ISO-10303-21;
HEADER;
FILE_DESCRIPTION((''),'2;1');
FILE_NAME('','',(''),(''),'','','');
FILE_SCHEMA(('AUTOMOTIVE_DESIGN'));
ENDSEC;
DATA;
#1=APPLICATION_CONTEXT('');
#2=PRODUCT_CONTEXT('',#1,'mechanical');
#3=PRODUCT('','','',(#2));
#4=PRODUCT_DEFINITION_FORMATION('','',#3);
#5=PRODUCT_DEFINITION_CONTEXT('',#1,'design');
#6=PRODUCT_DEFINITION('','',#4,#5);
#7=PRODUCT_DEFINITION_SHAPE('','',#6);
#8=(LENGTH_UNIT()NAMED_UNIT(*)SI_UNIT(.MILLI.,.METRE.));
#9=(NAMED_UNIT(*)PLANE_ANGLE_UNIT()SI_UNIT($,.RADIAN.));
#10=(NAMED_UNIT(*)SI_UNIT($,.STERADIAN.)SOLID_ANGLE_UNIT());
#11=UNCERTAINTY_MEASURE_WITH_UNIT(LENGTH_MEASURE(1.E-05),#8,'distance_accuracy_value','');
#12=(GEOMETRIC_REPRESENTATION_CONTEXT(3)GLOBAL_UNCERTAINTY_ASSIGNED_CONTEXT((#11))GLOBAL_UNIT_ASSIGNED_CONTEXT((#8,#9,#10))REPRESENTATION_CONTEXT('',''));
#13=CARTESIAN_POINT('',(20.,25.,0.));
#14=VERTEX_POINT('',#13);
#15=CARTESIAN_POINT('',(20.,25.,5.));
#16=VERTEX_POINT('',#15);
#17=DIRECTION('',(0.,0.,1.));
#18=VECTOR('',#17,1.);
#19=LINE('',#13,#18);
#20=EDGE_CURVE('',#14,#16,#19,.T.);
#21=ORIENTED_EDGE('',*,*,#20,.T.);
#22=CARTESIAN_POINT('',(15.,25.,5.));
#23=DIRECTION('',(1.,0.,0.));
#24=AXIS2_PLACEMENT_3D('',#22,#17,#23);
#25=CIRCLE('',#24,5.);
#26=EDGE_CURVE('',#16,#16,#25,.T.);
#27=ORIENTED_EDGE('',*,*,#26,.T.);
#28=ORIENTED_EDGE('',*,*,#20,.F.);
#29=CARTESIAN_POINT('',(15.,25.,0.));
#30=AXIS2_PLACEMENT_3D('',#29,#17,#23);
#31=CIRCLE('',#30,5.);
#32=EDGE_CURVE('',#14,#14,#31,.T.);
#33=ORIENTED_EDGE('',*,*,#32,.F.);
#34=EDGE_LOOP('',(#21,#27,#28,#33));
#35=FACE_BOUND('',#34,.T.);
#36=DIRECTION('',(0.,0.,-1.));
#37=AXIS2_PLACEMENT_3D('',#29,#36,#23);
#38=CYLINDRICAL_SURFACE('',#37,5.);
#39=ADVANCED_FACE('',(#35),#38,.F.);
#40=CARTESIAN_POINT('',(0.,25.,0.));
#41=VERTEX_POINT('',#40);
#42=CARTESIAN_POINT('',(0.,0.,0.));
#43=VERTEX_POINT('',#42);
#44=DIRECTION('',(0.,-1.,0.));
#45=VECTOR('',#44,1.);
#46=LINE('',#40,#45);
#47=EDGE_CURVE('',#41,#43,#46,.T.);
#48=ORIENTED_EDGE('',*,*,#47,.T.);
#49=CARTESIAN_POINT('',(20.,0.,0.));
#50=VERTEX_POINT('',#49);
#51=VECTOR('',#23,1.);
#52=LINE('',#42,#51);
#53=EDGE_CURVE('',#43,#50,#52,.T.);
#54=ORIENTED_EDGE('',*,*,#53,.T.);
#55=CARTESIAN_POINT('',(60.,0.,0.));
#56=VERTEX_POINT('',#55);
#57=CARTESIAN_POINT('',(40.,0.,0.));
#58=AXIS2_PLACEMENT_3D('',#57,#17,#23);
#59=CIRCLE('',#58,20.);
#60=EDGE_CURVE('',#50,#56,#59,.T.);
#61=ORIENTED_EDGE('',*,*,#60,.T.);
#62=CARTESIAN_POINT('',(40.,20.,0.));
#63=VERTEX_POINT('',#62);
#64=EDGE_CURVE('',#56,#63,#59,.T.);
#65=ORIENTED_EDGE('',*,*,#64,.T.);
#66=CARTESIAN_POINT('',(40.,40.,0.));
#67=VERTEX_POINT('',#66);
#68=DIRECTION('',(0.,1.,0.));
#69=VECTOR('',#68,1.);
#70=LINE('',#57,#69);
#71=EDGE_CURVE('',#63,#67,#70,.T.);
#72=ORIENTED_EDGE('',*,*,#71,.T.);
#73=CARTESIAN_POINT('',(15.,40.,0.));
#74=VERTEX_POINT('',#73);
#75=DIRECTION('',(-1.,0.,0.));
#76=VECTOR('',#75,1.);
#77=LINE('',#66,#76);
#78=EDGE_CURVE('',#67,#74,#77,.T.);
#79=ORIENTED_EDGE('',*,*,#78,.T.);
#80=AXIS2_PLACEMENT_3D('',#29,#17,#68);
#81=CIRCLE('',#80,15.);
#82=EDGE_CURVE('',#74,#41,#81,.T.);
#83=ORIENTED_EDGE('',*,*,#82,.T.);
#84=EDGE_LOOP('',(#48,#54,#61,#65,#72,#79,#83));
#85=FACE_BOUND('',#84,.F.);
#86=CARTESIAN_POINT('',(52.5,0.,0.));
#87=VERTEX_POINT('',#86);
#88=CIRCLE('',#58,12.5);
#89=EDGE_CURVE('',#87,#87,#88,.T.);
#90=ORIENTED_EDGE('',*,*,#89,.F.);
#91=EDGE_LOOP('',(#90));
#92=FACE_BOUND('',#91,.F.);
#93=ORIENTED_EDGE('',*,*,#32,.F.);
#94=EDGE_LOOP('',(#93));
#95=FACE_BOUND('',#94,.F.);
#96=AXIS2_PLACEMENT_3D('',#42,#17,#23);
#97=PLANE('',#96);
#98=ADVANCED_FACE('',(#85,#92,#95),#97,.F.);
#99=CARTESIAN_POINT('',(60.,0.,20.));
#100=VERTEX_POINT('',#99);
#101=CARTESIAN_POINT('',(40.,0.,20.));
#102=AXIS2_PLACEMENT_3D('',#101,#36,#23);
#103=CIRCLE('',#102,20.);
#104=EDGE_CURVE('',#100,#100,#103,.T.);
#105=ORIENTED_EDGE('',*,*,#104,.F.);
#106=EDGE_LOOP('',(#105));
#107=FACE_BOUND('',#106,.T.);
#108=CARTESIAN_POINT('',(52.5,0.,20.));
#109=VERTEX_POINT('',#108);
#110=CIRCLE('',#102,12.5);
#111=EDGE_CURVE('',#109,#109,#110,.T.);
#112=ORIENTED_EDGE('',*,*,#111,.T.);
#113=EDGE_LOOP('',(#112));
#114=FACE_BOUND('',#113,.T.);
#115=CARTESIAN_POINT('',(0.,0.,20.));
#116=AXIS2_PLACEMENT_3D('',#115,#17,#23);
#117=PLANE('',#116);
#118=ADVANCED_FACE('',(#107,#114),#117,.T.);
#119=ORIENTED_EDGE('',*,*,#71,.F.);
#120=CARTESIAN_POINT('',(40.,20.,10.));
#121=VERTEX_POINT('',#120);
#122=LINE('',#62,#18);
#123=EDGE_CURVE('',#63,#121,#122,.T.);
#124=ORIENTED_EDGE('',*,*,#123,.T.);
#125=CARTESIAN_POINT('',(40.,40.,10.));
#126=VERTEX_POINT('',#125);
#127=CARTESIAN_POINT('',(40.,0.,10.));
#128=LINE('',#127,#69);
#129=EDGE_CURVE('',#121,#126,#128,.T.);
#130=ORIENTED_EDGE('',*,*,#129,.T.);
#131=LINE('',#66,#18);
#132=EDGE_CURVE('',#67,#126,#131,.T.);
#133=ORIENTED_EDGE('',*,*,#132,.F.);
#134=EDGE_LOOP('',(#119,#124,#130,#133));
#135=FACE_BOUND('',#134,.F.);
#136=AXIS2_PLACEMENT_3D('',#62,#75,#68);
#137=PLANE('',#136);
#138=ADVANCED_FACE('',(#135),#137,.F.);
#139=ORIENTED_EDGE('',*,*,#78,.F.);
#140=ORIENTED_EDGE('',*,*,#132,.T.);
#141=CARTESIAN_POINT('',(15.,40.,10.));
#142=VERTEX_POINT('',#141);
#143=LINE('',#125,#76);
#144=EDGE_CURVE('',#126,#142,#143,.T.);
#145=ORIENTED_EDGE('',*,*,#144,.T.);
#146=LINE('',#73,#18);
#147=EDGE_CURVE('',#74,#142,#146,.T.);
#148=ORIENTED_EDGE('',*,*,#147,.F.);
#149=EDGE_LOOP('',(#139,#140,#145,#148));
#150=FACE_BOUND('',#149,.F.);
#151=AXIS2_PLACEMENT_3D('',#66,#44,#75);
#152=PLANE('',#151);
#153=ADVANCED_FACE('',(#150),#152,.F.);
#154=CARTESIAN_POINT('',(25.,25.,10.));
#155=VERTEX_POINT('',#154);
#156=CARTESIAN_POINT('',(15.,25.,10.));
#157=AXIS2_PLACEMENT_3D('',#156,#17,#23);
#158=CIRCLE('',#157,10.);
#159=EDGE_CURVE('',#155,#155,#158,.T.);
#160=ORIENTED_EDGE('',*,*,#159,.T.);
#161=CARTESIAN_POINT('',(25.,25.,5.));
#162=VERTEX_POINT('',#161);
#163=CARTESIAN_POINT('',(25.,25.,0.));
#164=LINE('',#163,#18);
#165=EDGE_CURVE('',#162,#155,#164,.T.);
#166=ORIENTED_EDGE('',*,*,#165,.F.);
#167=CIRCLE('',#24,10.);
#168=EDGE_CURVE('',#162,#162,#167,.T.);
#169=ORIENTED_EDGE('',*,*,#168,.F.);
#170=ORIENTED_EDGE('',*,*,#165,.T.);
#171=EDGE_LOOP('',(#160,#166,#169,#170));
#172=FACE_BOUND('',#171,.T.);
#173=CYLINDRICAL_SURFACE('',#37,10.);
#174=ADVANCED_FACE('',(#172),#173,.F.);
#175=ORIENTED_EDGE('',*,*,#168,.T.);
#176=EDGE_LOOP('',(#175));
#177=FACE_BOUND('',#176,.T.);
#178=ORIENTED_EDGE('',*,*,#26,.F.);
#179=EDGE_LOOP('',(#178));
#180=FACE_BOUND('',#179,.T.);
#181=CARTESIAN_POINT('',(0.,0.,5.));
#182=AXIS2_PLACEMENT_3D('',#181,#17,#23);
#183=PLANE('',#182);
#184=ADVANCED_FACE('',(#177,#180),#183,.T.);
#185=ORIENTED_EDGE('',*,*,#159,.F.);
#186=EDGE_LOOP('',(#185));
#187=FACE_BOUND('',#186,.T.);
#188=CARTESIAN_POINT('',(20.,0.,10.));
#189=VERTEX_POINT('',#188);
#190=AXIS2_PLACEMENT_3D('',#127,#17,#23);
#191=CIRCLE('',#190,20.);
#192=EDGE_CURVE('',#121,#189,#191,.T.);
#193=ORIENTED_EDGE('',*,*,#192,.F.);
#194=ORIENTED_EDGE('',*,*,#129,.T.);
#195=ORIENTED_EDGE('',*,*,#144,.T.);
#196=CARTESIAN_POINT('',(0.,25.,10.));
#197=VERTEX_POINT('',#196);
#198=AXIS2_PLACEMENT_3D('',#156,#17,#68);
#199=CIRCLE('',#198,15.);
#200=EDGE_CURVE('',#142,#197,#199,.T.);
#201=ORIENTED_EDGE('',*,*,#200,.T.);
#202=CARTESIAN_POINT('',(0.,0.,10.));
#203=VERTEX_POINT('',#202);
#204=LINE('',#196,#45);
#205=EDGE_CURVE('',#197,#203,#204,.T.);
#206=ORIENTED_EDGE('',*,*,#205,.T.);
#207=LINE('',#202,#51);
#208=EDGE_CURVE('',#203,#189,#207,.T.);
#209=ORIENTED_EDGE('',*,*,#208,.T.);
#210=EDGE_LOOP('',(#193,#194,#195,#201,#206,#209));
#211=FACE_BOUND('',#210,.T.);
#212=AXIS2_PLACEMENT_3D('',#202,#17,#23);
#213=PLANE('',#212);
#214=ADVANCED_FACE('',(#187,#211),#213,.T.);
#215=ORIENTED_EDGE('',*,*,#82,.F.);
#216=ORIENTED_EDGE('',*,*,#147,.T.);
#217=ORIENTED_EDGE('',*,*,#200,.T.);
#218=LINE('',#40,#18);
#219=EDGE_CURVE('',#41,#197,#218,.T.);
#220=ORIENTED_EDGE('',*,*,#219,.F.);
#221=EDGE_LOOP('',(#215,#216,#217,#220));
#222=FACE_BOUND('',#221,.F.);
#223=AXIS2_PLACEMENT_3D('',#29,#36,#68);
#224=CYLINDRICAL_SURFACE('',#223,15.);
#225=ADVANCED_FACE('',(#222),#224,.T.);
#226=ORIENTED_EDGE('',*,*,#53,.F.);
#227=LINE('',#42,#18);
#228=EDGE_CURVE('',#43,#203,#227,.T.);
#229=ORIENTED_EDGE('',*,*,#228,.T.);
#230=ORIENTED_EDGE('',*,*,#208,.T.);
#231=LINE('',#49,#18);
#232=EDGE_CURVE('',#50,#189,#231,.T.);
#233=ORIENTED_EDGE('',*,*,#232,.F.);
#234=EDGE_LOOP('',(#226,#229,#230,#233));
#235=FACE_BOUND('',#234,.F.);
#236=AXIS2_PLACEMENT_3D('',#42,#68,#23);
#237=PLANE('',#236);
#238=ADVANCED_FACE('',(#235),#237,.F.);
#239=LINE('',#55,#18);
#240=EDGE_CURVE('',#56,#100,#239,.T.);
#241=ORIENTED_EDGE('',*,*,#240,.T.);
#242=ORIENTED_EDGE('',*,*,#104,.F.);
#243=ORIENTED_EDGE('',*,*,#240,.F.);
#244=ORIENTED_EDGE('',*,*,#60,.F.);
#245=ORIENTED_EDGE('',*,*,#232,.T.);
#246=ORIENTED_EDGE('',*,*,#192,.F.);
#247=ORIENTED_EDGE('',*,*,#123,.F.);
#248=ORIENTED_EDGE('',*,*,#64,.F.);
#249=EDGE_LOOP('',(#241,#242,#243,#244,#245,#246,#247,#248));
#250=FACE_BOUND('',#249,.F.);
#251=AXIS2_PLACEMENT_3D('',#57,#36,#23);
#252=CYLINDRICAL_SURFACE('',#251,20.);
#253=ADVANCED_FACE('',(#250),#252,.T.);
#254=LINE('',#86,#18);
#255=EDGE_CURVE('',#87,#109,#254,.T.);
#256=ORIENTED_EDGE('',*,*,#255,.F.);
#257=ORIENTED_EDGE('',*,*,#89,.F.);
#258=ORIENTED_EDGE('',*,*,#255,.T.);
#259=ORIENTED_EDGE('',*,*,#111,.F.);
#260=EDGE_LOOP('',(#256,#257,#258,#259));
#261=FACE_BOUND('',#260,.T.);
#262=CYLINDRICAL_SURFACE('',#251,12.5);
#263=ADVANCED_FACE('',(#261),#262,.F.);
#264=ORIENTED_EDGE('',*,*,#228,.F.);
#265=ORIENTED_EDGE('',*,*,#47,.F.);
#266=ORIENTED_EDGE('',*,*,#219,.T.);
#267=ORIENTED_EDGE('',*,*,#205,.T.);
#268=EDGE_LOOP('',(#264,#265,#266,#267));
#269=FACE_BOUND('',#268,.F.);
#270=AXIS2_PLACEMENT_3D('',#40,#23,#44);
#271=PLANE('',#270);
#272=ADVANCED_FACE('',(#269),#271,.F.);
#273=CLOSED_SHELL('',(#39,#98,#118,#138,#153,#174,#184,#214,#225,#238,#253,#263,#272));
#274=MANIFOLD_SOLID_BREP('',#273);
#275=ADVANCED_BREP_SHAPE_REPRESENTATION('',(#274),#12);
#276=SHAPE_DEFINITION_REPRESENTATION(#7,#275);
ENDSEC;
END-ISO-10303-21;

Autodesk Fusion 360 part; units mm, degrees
sketch "스케치1" plane through (0, 0, 0) normal (0, 0, 1) x (1, 0, 0)
  line L0 (0, 0) -> (40, 0)
  line L1 (40, 0) -> (40, 40)
  line L2 (40, 40) -> (15, 40)
  line L3 (0, 25) -> (0, 0)
  circle A0 centre (40, 0) radius 20
  circle A1 centre (40, 0) radius 12.5
  arc A2 (15, 40) -> (0, 25) centre (15, 25) ccw
  circle A3 centre (15, 25) radius 10
  circle A4 centre (15, 25) radius 5
  point P0 (0, 40)
  dimension "d1" = 40
  dimension "d2" = 40
  dimension "d3" = 40
  dimension "d4" = 25
  dimension "d5" = 15
  dimension "d6" = 20
  dimension "d7" = 10
extrude "돌출4" add sketch "스케치1" along normal blind 10 contours L0 L1 L2 L3 A0 A2
extrude "돌출5" add sketch "스케치1" along normal blind 5 contours A3
extrude "돌출6" add sketch "스케치1" along normal blind 20 contours L0 L1 A0 A1 | L0 L1 A0 A1
